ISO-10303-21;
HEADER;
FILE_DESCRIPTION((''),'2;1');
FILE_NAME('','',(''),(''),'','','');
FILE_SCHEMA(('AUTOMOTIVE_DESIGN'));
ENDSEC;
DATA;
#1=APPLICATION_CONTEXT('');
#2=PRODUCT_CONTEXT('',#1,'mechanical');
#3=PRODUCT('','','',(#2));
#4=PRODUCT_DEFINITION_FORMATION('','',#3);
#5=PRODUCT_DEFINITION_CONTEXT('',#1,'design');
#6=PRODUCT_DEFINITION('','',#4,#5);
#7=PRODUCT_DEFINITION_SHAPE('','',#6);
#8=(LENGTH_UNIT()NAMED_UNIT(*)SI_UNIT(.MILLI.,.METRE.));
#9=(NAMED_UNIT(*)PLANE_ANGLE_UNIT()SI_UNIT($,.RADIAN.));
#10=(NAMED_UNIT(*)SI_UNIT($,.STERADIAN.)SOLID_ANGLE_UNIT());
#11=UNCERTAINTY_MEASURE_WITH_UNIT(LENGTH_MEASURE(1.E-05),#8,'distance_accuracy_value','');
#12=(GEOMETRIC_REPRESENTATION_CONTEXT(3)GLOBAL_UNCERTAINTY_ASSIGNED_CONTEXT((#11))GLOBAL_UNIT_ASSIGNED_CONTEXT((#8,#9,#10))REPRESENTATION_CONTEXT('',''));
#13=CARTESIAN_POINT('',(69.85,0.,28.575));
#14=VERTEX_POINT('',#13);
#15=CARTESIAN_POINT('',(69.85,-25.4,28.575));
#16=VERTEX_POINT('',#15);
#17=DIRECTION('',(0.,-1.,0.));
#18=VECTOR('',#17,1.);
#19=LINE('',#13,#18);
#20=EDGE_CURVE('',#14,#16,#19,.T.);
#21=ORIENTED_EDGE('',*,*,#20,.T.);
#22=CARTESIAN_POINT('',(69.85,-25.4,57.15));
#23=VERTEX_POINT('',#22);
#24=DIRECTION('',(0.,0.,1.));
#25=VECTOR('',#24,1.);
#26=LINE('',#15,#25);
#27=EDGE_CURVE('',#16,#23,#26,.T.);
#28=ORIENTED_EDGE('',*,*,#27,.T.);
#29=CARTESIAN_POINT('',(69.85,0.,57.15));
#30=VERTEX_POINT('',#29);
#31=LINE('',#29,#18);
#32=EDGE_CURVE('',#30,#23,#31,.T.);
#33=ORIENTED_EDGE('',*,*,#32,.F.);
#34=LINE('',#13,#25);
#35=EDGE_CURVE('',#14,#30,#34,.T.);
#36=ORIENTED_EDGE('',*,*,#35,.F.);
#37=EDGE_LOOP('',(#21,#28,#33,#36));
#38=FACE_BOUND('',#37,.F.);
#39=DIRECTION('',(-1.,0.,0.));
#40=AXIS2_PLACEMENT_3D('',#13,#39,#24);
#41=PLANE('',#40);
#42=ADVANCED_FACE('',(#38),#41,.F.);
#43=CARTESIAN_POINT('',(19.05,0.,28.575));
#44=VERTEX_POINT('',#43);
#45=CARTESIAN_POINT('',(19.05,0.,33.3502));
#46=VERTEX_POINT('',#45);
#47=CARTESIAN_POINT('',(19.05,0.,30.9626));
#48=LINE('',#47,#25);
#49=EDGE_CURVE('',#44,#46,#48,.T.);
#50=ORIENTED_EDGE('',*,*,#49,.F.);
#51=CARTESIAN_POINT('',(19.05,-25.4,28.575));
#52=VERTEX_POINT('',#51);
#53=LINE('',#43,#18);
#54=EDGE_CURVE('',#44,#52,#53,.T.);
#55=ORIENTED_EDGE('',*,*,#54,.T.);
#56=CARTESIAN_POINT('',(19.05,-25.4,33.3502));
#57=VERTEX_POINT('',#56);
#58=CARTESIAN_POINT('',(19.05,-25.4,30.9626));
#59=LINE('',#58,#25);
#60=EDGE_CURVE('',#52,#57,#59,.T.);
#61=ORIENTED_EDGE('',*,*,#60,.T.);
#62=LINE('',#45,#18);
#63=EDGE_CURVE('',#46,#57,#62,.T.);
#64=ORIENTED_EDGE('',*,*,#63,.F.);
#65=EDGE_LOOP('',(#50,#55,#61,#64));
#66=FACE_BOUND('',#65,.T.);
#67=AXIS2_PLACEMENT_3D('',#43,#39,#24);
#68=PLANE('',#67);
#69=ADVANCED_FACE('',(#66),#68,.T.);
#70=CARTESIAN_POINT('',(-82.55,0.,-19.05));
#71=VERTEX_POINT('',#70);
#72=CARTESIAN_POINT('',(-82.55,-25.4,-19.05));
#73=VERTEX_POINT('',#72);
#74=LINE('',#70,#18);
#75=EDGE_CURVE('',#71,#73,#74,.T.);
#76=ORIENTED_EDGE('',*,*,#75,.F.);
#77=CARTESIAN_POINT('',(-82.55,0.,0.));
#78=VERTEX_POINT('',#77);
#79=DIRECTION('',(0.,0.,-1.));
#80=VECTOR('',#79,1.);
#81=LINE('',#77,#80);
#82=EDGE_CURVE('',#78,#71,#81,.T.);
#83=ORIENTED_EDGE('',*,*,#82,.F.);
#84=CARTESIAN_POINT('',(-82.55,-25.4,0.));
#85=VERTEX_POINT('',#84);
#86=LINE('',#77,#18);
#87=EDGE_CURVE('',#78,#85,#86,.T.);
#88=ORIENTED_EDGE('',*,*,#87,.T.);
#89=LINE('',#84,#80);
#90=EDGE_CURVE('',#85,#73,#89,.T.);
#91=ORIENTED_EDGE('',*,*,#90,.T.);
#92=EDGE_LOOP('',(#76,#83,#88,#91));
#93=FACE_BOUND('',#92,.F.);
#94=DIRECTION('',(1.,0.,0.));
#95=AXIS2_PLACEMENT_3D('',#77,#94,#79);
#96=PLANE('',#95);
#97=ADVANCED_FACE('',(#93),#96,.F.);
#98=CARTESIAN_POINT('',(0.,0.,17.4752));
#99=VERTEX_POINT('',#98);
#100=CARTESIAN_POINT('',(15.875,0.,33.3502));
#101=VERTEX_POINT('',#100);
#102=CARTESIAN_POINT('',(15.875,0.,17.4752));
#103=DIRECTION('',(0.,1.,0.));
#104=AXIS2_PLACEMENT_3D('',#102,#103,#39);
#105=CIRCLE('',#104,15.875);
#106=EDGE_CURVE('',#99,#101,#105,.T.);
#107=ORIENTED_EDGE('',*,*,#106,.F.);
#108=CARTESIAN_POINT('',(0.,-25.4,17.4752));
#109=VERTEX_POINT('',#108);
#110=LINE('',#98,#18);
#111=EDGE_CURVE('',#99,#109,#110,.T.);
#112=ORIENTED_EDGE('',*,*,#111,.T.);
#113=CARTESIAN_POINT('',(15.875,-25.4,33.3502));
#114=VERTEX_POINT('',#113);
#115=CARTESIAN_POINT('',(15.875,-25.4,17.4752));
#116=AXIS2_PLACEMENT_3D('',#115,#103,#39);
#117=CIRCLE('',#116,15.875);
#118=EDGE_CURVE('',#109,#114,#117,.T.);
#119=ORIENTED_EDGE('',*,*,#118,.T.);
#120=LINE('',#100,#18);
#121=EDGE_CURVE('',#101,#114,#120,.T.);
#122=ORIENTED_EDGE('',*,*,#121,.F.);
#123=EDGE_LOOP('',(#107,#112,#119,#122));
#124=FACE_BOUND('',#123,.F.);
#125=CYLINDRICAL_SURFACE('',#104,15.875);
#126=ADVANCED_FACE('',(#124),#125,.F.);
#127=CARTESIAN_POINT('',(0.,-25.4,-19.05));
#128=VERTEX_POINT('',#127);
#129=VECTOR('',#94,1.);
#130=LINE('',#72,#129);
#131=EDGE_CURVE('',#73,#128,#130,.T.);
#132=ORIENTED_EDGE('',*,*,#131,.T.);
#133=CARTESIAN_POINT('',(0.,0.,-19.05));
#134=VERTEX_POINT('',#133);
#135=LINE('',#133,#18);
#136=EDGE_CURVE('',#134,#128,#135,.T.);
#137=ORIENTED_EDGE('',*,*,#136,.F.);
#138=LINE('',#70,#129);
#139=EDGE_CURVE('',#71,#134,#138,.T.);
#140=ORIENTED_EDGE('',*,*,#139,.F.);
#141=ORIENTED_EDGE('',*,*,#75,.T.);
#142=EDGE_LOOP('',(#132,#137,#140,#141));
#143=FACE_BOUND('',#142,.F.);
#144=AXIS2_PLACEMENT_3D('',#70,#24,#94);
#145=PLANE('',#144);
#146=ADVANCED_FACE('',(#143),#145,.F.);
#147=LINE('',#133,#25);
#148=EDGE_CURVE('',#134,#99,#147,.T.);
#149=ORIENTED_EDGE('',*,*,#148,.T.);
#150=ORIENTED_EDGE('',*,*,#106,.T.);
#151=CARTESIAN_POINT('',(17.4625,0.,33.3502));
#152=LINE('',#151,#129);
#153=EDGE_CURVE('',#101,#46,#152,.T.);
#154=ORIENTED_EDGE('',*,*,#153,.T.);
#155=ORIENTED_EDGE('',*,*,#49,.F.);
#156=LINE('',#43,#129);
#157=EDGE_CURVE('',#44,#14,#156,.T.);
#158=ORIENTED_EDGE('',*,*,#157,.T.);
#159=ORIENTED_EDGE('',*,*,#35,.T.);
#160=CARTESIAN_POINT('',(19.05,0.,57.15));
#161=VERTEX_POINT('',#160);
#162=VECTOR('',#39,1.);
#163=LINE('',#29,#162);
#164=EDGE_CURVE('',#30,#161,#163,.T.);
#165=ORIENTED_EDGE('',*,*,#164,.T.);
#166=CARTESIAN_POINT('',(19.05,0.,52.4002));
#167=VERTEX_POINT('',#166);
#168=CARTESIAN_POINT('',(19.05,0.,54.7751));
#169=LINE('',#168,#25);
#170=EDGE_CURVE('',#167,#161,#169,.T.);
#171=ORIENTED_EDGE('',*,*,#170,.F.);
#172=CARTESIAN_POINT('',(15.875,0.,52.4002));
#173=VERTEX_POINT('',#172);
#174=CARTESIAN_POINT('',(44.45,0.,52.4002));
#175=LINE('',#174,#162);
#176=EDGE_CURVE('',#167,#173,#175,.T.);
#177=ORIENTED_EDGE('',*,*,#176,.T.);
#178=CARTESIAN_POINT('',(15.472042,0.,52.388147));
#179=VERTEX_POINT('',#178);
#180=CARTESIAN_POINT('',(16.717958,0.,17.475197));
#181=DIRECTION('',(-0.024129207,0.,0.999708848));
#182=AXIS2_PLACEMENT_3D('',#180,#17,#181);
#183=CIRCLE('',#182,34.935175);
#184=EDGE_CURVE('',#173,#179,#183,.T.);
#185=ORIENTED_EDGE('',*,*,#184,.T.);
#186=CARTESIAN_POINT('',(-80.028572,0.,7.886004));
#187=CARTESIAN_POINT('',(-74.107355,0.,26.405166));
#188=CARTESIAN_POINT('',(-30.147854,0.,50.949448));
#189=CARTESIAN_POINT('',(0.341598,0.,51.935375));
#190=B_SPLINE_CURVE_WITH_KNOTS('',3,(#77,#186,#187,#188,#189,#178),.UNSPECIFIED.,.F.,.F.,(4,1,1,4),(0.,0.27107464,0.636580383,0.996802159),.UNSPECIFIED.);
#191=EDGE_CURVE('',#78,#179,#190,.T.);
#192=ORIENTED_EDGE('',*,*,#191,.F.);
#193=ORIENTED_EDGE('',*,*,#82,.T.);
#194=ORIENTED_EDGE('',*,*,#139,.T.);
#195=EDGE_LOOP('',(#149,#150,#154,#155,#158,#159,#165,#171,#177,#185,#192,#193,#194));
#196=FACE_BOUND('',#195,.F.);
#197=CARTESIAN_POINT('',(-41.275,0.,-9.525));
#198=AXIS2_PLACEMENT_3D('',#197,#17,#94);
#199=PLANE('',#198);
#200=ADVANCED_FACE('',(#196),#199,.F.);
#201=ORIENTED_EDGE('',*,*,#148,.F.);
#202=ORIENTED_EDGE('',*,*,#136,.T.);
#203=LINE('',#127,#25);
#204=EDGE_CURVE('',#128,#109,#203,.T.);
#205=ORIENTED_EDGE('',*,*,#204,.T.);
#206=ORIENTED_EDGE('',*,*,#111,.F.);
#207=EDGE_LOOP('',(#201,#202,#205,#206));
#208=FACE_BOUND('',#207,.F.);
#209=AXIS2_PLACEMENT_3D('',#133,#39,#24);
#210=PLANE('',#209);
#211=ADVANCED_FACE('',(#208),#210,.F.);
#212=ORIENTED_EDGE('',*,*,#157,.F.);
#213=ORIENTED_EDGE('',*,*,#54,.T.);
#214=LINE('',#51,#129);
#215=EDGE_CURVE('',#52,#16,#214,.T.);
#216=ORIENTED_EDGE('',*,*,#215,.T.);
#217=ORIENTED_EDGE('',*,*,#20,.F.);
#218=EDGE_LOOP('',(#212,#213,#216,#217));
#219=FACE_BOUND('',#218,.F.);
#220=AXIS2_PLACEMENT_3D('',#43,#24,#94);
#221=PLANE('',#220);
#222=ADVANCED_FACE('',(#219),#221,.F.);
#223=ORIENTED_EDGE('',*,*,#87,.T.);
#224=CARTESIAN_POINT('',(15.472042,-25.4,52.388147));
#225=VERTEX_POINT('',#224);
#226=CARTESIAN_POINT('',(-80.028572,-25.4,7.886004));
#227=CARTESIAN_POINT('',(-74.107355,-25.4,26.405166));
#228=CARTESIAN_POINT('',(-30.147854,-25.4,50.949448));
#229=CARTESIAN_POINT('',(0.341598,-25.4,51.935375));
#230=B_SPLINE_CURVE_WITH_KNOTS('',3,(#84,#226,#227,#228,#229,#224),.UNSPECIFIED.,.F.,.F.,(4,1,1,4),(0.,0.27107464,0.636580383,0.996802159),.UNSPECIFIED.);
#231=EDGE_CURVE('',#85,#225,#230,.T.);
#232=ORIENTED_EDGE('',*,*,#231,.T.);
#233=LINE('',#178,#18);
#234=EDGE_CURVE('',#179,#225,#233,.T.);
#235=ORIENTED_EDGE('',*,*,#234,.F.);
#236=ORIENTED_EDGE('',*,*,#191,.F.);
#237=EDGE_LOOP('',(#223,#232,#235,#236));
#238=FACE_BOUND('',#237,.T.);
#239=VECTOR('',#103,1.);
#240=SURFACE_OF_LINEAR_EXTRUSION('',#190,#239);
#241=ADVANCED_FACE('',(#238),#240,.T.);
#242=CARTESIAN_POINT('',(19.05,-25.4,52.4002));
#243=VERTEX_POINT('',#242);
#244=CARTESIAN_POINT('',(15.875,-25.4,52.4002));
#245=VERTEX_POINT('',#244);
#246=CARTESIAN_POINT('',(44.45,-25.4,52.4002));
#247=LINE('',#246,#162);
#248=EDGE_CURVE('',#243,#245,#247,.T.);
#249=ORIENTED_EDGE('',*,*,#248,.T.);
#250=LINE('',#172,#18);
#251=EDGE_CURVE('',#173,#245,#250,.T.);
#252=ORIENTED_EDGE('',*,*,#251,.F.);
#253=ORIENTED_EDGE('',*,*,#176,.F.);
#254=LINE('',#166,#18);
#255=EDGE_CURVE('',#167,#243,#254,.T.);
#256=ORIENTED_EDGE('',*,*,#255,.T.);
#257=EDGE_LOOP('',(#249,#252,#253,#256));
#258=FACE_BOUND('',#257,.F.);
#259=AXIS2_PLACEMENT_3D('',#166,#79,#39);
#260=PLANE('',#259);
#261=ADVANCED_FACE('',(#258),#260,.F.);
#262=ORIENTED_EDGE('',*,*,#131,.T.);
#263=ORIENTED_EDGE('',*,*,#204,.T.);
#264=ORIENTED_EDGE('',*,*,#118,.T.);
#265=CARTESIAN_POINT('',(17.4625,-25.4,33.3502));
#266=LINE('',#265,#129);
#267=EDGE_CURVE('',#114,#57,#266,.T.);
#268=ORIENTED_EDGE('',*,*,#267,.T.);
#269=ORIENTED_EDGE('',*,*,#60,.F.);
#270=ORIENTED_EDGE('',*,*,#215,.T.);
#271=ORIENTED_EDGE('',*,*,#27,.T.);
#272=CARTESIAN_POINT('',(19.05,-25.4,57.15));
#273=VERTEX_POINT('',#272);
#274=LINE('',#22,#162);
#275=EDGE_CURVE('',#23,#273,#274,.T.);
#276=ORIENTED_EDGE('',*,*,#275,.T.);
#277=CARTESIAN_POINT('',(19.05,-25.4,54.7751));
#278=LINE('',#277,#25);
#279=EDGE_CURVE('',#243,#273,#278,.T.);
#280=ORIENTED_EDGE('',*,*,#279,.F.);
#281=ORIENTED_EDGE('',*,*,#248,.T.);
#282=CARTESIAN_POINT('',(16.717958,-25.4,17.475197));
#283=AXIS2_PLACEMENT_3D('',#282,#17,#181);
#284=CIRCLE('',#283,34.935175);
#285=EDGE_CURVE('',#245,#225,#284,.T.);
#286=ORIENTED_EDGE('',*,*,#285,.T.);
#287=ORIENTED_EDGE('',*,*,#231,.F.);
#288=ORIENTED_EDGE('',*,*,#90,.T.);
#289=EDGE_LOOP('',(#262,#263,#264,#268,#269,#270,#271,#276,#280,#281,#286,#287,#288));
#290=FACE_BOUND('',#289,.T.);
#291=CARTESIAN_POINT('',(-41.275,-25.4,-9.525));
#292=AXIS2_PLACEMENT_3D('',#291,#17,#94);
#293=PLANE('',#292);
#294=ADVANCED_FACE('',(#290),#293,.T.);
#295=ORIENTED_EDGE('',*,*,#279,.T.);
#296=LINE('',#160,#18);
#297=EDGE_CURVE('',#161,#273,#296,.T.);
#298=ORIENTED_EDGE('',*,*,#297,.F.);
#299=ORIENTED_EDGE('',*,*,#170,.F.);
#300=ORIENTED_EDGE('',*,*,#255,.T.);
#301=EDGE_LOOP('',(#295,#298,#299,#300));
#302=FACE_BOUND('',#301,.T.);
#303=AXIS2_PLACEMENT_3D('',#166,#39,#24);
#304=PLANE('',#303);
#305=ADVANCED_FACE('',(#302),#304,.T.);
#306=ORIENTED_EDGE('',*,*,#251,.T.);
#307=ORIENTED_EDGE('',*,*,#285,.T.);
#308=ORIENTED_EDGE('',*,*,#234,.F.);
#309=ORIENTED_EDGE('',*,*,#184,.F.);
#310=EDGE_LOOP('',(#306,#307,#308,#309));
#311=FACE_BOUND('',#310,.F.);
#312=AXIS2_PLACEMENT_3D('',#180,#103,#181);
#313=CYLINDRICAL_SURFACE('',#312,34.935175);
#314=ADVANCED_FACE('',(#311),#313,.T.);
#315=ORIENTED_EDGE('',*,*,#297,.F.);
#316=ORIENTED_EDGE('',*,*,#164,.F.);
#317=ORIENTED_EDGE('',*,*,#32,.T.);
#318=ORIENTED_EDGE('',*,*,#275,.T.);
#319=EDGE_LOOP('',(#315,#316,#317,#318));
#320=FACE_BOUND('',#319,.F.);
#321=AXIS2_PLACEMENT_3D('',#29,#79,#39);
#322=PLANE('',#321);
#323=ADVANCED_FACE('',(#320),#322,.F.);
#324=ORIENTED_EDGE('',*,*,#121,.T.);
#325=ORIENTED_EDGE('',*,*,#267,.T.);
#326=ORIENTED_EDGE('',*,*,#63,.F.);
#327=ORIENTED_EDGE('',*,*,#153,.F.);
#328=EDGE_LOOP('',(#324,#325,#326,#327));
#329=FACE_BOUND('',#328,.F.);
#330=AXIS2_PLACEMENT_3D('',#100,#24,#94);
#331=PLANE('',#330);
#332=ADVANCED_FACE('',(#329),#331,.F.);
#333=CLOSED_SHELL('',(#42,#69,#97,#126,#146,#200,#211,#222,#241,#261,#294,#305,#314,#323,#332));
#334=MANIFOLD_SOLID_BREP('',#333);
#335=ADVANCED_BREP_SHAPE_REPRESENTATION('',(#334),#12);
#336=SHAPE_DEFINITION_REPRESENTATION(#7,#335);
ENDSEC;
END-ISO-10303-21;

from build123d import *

# Parameters (mm, degrees)
F0_W     = 3.175
F0_H     = 19.05
F0_W_2   = 25.4
F0_H_2   = 4.7752
F0_H_3   = 4.7498
F1_DEPTH = 25.4


with BuildPart() as f1:
    # F0 (on Front) → F1 (new body)
    with BuildSketch(Plane.XZ):
        Polygon((0, -19.05), (0, 0), (-18.2172134519, 0), (-82.55, 0), (-82.55, -19.05), align=None)
        with BuildLine():
            Line((-18.2172134519, 0), (0, 0))
            Line((0, 0), (0, 17.4752))
            ThreePointArc((0, 17.4752), (4.6496798487, 28.7005201513), (15.875, 33.3502))
            Line((15.875, 33.3502), (15.875, 52.4002))
            add(Edge.make_bspline(
                [(15.4720424644, 52.3881474219), (15.6063618156, 52.392166871), (15.7406809078, 52.3961834355), (15.875, 52.4002)],
                knots=[0.9968021591, 0.9968021591, 0.9968021591, 0.9968021591, 1, 1, 1, 1], degree=3))
            ThreePointArc((15.4720424644, 52.3881474219), (-8.4215773689, 41.7335998951), (-18.2172134519, 17.4752))
            Line((-18.2172134519, 17.4752), (-18.2172134519, 0))
        make_face()
        with BuildLine():
            Line((-82.55, 0), (-18.2172134519, 0))
            Line((-18.2172134519, 0), (-18.2172134519, 17.4752))
            ThreePointArc((-18.2172134519, 17.4752), (-8.4215773689, 41.7335998951), (15.4720424644, 52.3881474219))
            add(Edge.make_bspline(
                [(-82.55, 0), (-80.0285718934, 7.8860036687), (-74.1073552514, 26.4051659001), (-30.1478543477, 50.9494481193), (0.3415976561, 51.9353753366), (15.4720424644, 52.3881474219)],
                knots=[0, 0, 0, 0, 0.2710746401, 0.6365803831, 0.9968021591, 0.9968021591, 0.9968021591, 0.9968021591], degree=3))
        make_face()
        with Locations((17.4625, 42.8752)):
            Rectangle(F0_W, F0_H)
        with BuildLine():
            ThreePointArc((15.875, 52.4002), (15.6735038468, 52.3947549616), (15.4720424644, 52.3881474219))
            add(Edge.make_bspline(
                [(15.4720424644, 52.3881474219), (15.6063618156, 52.392166871), (15.7406809078, 52.3961834355), (15.875, 52.4002)],
                knots=[0.9968021591, 0.9968021591, 0.9968021591, 0.9968021591, 1, 1, 1, 1], degree=3))
        make_face()
        with Locations((31.75, 30.9626)):
            Rectangle(F0_W_2, F0_H_2)
        with Locations((31.75, 42.8752)):
            Rectangle(F0_W_2, F0_H)
        with Locations((31.75, 54.7751)):
            Rectangle(F0_W_2, F0_H_3)
        Polygon((44.45, 52.4002), (44.45, 33.3502), (44.45, 28.575), (69.85, 28.575), (69.85, 57.15), (44.45, 57.15), align=None)
    extrude(amount=F1_DEPTH)


solid = f1.part
